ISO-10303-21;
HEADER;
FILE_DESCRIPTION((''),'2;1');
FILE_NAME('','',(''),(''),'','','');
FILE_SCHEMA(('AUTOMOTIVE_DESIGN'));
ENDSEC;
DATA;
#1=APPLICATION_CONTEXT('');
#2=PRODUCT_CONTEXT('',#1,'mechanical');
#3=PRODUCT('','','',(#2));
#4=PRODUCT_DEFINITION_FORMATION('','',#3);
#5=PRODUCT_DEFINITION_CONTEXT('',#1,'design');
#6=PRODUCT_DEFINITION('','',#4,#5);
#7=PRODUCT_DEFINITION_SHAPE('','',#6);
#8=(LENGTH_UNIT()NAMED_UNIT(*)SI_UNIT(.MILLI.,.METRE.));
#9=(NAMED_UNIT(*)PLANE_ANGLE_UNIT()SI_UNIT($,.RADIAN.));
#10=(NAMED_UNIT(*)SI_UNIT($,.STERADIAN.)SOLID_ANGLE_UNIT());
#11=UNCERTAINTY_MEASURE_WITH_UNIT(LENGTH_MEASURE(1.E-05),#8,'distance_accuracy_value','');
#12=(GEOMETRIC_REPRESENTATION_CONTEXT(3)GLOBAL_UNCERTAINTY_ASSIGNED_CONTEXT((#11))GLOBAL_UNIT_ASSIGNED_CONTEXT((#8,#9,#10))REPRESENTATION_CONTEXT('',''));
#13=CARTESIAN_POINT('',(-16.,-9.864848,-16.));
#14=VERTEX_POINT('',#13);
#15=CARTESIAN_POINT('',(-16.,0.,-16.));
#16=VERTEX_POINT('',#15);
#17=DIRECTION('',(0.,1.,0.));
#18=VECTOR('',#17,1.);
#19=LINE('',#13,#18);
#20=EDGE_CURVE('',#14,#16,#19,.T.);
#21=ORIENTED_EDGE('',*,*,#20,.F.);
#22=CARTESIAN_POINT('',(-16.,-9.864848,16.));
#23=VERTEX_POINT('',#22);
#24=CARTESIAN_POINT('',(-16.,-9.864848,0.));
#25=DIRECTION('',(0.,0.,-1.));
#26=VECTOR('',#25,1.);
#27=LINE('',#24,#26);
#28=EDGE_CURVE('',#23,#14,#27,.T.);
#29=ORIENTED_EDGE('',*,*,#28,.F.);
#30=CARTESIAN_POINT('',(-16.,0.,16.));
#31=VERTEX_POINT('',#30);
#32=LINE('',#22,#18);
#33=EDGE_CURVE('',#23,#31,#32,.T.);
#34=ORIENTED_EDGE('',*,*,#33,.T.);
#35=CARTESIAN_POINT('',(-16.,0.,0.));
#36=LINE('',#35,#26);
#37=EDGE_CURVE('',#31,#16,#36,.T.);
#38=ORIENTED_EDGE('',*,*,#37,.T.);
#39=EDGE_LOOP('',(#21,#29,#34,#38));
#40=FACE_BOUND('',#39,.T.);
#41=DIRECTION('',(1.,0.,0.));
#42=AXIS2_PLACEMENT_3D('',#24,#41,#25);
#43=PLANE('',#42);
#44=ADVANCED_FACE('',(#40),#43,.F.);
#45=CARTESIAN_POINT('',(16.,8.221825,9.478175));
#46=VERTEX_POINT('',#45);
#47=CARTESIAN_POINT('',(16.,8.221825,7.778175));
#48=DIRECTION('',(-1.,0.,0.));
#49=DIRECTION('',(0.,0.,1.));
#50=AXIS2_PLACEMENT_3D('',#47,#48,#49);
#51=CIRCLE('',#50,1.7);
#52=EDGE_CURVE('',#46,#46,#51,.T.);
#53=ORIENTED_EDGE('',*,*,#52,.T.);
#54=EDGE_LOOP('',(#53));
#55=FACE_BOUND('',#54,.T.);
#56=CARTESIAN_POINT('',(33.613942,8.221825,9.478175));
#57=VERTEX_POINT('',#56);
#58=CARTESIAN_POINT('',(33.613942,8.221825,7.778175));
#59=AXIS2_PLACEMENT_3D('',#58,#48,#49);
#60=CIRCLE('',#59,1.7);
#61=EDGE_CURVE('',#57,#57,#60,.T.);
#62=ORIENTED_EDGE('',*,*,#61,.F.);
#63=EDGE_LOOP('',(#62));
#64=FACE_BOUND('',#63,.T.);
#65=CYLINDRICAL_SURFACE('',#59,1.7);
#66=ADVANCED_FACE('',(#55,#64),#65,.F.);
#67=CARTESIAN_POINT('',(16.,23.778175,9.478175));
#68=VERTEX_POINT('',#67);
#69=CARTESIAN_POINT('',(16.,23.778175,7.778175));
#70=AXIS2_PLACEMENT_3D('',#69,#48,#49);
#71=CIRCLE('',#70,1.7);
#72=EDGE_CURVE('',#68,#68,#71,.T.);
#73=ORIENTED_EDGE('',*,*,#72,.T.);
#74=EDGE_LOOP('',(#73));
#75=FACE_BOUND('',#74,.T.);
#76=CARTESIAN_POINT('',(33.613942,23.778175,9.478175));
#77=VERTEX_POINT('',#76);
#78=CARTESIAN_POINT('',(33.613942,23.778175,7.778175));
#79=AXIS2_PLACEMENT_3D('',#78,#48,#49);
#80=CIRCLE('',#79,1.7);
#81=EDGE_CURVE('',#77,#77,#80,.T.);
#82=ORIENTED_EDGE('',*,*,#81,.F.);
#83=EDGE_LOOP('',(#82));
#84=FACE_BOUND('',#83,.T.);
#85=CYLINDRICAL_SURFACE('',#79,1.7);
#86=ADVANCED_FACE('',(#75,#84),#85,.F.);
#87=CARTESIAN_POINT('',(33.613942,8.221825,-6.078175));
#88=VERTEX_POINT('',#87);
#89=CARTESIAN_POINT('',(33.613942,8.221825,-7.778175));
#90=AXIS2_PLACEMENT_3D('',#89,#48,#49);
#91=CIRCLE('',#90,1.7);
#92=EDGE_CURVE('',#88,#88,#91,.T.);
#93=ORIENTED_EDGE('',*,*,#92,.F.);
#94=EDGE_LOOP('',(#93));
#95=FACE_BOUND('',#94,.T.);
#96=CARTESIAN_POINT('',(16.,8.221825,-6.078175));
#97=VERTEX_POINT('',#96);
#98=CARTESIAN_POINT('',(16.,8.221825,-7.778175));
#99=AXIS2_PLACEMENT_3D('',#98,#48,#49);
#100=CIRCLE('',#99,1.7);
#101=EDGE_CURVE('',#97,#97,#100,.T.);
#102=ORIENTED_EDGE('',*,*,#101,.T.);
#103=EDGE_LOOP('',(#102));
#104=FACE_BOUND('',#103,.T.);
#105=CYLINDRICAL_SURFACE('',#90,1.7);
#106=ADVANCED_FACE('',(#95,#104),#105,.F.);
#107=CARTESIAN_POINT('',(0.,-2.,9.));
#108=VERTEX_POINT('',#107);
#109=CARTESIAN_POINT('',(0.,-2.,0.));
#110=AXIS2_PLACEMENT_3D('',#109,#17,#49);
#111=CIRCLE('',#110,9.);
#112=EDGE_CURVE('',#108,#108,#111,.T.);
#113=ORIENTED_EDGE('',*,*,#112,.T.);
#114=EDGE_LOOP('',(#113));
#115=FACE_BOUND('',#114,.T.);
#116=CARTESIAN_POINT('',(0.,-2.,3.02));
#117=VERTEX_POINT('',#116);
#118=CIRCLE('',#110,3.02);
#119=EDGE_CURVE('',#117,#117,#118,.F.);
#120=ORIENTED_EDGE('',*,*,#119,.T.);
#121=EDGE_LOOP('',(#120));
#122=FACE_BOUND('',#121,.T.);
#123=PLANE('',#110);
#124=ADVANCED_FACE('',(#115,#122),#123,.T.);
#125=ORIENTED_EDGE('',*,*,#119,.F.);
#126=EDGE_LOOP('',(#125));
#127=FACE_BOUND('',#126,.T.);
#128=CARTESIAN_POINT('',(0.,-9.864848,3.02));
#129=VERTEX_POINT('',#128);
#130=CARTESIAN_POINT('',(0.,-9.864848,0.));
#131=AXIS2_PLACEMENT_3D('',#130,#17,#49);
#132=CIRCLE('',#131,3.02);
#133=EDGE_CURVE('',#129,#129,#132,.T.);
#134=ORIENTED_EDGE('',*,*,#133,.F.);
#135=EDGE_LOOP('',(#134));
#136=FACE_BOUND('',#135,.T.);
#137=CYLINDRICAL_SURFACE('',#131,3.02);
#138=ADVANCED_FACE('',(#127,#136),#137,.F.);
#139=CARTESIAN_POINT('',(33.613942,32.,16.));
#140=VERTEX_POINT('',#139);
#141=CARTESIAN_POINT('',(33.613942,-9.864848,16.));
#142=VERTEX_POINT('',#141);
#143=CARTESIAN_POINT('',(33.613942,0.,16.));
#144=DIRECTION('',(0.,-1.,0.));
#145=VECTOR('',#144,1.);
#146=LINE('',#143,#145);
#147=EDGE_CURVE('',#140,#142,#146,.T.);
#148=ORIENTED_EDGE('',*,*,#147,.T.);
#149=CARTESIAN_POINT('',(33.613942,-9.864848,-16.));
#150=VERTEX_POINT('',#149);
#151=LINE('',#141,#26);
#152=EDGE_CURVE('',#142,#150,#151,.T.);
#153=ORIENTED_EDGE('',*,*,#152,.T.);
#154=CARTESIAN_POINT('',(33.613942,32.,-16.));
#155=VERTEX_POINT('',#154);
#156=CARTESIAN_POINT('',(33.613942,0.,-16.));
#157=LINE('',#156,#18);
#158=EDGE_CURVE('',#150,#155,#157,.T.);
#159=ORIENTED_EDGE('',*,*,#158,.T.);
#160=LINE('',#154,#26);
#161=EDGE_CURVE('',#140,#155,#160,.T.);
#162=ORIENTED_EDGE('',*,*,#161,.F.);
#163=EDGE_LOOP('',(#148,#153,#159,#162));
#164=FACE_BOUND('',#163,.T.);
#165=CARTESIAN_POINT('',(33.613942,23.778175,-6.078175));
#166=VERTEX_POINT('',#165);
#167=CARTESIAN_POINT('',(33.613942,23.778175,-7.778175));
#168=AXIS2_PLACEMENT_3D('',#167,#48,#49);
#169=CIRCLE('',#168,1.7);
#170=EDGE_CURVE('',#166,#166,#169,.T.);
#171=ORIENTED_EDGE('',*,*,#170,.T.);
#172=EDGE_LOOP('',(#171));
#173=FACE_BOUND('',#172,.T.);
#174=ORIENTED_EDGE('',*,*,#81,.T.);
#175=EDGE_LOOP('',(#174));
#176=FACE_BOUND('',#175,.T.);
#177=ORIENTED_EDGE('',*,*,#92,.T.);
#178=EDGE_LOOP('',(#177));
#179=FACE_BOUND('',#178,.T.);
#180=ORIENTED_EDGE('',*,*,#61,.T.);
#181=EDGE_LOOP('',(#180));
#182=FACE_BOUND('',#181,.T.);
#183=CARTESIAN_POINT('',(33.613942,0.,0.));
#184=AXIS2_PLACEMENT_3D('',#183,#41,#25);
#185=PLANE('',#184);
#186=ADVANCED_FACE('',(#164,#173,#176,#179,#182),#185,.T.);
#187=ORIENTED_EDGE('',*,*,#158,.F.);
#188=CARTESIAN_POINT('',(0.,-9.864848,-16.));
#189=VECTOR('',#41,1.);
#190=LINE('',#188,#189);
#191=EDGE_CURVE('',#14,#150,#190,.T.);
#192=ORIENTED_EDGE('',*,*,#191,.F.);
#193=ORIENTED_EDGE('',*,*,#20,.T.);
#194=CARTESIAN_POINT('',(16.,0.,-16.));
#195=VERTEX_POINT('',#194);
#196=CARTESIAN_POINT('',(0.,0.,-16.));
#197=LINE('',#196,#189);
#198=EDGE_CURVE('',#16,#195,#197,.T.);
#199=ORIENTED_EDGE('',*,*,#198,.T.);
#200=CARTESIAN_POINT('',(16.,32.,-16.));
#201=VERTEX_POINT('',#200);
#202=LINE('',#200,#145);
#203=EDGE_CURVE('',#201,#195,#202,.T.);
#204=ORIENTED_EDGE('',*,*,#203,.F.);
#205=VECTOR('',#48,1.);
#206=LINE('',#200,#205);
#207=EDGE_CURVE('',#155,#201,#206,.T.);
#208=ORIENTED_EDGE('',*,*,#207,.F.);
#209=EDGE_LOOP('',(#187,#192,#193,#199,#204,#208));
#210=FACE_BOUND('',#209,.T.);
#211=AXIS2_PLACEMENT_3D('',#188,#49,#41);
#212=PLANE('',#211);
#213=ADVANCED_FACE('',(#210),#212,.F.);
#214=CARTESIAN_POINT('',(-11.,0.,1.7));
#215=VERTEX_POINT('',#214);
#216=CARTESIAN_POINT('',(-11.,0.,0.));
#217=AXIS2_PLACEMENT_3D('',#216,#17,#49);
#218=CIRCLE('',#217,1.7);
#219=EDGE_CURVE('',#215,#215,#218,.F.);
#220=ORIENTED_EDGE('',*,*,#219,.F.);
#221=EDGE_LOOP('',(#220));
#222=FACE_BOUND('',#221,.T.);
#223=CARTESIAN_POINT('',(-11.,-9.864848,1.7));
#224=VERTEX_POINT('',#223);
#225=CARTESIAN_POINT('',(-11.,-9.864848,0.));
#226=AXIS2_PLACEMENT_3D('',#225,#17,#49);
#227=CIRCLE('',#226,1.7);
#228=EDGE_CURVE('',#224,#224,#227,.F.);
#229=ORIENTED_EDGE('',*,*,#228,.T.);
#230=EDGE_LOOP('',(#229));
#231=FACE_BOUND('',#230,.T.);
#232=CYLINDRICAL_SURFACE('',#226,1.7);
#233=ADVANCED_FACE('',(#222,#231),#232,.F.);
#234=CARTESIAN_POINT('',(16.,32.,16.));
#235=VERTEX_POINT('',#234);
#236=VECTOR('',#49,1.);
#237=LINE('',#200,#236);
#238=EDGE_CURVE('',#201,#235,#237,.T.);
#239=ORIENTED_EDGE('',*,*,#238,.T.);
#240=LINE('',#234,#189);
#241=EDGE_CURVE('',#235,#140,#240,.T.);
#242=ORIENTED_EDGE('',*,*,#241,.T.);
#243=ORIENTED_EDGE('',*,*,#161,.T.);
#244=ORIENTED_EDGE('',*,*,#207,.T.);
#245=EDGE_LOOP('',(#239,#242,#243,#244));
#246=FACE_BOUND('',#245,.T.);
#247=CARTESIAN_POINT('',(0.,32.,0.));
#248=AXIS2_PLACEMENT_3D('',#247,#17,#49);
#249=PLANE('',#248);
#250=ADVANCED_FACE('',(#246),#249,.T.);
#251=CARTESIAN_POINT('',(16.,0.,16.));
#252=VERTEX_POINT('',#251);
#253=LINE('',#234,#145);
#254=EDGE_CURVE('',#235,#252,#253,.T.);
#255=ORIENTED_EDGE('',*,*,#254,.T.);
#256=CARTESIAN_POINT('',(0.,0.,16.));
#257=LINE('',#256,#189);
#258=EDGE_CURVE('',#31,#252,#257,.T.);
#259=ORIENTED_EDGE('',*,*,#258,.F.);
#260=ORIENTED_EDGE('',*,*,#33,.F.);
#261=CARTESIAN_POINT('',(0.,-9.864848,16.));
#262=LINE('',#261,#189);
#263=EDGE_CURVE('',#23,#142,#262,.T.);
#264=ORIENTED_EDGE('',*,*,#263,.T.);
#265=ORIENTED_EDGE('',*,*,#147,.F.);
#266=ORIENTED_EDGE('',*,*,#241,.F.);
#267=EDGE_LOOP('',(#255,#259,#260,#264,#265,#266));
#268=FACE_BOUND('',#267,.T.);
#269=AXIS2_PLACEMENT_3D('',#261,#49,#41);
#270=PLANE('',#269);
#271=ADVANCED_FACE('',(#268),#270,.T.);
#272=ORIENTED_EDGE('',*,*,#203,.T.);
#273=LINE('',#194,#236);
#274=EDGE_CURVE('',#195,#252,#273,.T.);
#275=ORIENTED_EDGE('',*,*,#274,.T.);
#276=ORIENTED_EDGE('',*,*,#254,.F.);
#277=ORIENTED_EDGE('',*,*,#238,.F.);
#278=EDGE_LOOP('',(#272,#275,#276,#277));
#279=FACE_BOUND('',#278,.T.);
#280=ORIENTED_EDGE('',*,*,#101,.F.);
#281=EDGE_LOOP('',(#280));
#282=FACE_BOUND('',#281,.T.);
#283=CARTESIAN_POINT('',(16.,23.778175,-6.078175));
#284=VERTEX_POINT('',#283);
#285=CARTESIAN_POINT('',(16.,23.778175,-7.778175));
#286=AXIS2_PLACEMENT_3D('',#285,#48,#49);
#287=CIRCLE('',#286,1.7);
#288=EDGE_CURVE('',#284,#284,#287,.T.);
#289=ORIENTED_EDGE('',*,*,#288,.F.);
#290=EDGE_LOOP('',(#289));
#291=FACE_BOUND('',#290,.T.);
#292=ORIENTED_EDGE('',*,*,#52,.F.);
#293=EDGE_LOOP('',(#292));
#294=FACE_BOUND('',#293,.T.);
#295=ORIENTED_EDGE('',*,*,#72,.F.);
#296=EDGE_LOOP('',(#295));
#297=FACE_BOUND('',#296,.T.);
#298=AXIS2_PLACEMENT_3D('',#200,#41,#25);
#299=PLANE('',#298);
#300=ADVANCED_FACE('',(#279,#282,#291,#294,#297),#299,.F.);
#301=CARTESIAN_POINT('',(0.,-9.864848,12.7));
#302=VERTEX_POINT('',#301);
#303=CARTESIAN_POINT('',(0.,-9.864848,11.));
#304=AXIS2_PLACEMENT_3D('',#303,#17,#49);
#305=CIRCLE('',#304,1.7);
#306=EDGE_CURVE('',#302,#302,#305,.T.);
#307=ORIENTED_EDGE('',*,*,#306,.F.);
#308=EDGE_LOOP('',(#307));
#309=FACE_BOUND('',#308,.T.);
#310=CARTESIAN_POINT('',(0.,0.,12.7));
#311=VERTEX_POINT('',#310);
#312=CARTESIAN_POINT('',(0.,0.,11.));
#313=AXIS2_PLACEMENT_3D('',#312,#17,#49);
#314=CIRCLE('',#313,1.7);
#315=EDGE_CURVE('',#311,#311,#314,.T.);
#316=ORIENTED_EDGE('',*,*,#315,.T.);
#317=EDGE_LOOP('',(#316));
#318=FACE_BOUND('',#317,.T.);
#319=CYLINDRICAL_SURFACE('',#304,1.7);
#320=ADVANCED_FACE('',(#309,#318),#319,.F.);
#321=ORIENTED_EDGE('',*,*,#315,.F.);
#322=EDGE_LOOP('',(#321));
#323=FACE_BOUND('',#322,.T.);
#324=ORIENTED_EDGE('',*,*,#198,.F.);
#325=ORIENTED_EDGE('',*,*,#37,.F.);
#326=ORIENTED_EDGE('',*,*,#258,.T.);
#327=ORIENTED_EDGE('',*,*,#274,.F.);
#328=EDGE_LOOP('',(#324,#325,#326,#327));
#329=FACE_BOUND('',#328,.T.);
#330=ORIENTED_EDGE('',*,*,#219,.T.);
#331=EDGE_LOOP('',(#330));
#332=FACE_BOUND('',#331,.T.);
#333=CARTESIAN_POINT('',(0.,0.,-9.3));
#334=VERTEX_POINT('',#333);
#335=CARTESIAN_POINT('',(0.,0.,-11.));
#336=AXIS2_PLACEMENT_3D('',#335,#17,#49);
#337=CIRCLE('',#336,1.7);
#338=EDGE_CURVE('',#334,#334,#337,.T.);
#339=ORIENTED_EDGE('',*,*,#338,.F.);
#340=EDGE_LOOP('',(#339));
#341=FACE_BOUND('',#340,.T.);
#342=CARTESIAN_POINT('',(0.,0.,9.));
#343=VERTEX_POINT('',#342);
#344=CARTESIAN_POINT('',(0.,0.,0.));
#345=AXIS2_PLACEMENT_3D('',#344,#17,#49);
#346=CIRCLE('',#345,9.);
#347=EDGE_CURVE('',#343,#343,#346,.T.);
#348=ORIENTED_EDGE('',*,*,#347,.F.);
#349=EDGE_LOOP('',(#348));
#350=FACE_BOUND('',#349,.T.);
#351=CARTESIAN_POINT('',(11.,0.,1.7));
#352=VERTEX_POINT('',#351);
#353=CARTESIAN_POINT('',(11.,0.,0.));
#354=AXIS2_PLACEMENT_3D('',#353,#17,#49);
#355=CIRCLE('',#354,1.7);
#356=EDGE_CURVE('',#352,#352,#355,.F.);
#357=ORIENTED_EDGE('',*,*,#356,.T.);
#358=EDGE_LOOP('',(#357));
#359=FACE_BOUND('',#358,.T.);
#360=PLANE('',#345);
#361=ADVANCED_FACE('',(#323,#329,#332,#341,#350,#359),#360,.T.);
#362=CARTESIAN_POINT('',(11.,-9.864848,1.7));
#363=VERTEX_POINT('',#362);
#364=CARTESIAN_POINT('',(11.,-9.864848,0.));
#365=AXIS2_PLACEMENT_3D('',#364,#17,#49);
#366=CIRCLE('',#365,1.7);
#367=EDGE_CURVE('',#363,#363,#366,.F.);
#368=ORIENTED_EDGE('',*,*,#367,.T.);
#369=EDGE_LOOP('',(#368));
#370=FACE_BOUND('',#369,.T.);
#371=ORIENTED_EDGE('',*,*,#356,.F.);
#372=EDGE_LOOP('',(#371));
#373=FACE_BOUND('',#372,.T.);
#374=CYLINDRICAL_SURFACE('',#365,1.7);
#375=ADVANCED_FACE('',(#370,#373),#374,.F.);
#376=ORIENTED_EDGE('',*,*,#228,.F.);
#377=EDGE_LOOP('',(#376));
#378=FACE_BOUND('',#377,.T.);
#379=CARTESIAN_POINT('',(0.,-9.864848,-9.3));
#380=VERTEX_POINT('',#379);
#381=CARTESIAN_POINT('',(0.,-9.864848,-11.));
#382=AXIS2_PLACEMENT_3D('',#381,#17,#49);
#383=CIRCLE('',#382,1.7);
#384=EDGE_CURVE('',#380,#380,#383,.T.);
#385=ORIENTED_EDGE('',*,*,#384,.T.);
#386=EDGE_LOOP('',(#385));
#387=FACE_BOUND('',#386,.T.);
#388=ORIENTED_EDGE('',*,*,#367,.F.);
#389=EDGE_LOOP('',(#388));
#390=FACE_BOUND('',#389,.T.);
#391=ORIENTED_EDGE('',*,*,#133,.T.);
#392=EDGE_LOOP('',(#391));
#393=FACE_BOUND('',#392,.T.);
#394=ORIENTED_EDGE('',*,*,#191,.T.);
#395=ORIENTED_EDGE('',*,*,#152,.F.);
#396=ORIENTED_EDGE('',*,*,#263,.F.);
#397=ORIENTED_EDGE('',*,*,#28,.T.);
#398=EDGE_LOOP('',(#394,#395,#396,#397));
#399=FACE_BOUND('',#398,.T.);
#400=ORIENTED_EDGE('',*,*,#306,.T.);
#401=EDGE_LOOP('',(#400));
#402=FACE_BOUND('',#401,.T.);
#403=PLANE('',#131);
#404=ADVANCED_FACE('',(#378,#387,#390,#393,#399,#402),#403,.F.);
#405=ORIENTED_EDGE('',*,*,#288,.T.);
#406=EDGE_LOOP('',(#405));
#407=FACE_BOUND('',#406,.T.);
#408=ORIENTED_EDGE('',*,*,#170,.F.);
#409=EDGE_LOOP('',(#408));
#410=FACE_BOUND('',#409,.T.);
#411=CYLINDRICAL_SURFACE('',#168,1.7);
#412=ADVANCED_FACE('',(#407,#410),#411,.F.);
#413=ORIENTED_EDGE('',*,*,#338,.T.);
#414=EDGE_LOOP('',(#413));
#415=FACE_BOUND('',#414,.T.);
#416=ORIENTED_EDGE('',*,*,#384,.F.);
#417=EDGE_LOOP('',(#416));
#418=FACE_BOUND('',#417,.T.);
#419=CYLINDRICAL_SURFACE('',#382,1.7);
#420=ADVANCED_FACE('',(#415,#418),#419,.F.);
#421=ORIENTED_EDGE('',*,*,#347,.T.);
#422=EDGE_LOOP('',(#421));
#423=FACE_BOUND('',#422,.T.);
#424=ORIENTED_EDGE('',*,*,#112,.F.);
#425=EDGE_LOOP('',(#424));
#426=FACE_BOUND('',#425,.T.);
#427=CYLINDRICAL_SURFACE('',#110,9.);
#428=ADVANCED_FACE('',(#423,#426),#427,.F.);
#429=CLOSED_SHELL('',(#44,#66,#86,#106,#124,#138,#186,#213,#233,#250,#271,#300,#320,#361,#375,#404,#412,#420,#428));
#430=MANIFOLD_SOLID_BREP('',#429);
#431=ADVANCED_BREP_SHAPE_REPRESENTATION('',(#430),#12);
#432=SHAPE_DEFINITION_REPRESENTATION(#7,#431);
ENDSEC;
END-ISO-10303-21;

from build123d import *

# Parameters (mm, degrees)
SKETCH1_W           = 32
SKETCH1_H           = 32
SKETCH1_R           = 1.7
SKETCH1_R_2         = 3.02
BOSS_EXTRUDE1_DEPTH = 9.864848297
SKETCH1_5_R         = 9
CUT_EXTRUDE2_DEPTH  = 2
SKETCH7_W           = 32
SKETCH7_H           = 9.864848297
BOSS_EXTRUDE3_DEPTH = 17.613942208
SKETCH10_W          = 17.613942208
SKETCH10_H          = 32
BOSS_EXTRUDE5_DEPTH = 32
SKETCH11_R          = 1.7
CUT_EXTRUDE3_DEPTH  = 49


with BuildPart() as part:
    # Sketch1 → Boss-Extrude1 (new body)
    with BuildSketch(Plane(origin=(0, 0, 0), x_dir=(1, 0, 0), z_dir=(0, 1, 0))):
        Rectangle(SKETCH1_W, SKETCH1_H)
        with Locations((0, 11)):
            Circle(SKETCH1_R, mode=Mode.SUBTRACT)
        with Locations((-11, 0)):
            Circle(SKETCH1_R, mode=Mode.SUBTRACT)
        with Locations((0, -11)):
            Circle(SKETCH1_R, mode=Mode.SUBTRACT)
        with Locations((11, 0)):
            Circle(SKETCH1_R, mode=Mode.SUBTRACT)
        Circle(SKETCH1_R_2, mode=Mode.SUBTRACT)
    extrude(amount=-BOSS_EXTRUDE1_DEPTH)

    # Sketch1<5> → Cut-Extrude2 (cut)
    with BuildSketch(Plane(origin=(0, 0, 0), x_dir=(1, 0, 0), z_dir=(0, 1, 0))):
        Circle(SKETCH1_5_R)
    extrude(amount=-CUT_EXTRUDE2_DEPTH, mode=Mode.SUBTRACT)

    # Sketch7 → Boss-Extrude3 (add)
    with BuildSketch(Plane(origin=(16, 0, 0), x_dir=(0, 0, -1), z_dir=(1, 0, 0))):
        with Locations((0, -4.932424148)):
            Rectangle(SKETCH7_W, SKETCH7_H)
    extrude(amount=BOSS_EXTRUDE3_DEPTH)

    # Sketch10 → Boss-Extrude5 (add)
    with BuildSketch(Plane(origin=(0, 0, 0), x_dir=(1, 0, 0), z_dir=(0, 1, 0))):
        with Locations((24.806971104, 0)):
            Rectangle(SKETCH10_W, SKETCH10_H)
    extrude(amount=BOSS_EXTRUDE5_DEPTH)

    # Sketch11 → Cut-Extrude3 (cut, through all)
    with BuildSketch(Plane.ZY.offset(-16)):
        with Locations((-7.778174593, 23.778174593)):
            Circle(SKETCH11_R)
        with Locations((7.778174593, 23.778174593)):
            Circle(SKETCH11_R)
        with Locations((7.778174593, 8.221825407)):
            Circle(SKETCH11_R)
        with Locations((-7.778174593, 8.221825407)):
            Circle(SKETCH11_R)
    extrude(amount=-CUT_EXTRUDE3_DEPTH, mode=Mode.SUBTRACT)


solid = part.part
